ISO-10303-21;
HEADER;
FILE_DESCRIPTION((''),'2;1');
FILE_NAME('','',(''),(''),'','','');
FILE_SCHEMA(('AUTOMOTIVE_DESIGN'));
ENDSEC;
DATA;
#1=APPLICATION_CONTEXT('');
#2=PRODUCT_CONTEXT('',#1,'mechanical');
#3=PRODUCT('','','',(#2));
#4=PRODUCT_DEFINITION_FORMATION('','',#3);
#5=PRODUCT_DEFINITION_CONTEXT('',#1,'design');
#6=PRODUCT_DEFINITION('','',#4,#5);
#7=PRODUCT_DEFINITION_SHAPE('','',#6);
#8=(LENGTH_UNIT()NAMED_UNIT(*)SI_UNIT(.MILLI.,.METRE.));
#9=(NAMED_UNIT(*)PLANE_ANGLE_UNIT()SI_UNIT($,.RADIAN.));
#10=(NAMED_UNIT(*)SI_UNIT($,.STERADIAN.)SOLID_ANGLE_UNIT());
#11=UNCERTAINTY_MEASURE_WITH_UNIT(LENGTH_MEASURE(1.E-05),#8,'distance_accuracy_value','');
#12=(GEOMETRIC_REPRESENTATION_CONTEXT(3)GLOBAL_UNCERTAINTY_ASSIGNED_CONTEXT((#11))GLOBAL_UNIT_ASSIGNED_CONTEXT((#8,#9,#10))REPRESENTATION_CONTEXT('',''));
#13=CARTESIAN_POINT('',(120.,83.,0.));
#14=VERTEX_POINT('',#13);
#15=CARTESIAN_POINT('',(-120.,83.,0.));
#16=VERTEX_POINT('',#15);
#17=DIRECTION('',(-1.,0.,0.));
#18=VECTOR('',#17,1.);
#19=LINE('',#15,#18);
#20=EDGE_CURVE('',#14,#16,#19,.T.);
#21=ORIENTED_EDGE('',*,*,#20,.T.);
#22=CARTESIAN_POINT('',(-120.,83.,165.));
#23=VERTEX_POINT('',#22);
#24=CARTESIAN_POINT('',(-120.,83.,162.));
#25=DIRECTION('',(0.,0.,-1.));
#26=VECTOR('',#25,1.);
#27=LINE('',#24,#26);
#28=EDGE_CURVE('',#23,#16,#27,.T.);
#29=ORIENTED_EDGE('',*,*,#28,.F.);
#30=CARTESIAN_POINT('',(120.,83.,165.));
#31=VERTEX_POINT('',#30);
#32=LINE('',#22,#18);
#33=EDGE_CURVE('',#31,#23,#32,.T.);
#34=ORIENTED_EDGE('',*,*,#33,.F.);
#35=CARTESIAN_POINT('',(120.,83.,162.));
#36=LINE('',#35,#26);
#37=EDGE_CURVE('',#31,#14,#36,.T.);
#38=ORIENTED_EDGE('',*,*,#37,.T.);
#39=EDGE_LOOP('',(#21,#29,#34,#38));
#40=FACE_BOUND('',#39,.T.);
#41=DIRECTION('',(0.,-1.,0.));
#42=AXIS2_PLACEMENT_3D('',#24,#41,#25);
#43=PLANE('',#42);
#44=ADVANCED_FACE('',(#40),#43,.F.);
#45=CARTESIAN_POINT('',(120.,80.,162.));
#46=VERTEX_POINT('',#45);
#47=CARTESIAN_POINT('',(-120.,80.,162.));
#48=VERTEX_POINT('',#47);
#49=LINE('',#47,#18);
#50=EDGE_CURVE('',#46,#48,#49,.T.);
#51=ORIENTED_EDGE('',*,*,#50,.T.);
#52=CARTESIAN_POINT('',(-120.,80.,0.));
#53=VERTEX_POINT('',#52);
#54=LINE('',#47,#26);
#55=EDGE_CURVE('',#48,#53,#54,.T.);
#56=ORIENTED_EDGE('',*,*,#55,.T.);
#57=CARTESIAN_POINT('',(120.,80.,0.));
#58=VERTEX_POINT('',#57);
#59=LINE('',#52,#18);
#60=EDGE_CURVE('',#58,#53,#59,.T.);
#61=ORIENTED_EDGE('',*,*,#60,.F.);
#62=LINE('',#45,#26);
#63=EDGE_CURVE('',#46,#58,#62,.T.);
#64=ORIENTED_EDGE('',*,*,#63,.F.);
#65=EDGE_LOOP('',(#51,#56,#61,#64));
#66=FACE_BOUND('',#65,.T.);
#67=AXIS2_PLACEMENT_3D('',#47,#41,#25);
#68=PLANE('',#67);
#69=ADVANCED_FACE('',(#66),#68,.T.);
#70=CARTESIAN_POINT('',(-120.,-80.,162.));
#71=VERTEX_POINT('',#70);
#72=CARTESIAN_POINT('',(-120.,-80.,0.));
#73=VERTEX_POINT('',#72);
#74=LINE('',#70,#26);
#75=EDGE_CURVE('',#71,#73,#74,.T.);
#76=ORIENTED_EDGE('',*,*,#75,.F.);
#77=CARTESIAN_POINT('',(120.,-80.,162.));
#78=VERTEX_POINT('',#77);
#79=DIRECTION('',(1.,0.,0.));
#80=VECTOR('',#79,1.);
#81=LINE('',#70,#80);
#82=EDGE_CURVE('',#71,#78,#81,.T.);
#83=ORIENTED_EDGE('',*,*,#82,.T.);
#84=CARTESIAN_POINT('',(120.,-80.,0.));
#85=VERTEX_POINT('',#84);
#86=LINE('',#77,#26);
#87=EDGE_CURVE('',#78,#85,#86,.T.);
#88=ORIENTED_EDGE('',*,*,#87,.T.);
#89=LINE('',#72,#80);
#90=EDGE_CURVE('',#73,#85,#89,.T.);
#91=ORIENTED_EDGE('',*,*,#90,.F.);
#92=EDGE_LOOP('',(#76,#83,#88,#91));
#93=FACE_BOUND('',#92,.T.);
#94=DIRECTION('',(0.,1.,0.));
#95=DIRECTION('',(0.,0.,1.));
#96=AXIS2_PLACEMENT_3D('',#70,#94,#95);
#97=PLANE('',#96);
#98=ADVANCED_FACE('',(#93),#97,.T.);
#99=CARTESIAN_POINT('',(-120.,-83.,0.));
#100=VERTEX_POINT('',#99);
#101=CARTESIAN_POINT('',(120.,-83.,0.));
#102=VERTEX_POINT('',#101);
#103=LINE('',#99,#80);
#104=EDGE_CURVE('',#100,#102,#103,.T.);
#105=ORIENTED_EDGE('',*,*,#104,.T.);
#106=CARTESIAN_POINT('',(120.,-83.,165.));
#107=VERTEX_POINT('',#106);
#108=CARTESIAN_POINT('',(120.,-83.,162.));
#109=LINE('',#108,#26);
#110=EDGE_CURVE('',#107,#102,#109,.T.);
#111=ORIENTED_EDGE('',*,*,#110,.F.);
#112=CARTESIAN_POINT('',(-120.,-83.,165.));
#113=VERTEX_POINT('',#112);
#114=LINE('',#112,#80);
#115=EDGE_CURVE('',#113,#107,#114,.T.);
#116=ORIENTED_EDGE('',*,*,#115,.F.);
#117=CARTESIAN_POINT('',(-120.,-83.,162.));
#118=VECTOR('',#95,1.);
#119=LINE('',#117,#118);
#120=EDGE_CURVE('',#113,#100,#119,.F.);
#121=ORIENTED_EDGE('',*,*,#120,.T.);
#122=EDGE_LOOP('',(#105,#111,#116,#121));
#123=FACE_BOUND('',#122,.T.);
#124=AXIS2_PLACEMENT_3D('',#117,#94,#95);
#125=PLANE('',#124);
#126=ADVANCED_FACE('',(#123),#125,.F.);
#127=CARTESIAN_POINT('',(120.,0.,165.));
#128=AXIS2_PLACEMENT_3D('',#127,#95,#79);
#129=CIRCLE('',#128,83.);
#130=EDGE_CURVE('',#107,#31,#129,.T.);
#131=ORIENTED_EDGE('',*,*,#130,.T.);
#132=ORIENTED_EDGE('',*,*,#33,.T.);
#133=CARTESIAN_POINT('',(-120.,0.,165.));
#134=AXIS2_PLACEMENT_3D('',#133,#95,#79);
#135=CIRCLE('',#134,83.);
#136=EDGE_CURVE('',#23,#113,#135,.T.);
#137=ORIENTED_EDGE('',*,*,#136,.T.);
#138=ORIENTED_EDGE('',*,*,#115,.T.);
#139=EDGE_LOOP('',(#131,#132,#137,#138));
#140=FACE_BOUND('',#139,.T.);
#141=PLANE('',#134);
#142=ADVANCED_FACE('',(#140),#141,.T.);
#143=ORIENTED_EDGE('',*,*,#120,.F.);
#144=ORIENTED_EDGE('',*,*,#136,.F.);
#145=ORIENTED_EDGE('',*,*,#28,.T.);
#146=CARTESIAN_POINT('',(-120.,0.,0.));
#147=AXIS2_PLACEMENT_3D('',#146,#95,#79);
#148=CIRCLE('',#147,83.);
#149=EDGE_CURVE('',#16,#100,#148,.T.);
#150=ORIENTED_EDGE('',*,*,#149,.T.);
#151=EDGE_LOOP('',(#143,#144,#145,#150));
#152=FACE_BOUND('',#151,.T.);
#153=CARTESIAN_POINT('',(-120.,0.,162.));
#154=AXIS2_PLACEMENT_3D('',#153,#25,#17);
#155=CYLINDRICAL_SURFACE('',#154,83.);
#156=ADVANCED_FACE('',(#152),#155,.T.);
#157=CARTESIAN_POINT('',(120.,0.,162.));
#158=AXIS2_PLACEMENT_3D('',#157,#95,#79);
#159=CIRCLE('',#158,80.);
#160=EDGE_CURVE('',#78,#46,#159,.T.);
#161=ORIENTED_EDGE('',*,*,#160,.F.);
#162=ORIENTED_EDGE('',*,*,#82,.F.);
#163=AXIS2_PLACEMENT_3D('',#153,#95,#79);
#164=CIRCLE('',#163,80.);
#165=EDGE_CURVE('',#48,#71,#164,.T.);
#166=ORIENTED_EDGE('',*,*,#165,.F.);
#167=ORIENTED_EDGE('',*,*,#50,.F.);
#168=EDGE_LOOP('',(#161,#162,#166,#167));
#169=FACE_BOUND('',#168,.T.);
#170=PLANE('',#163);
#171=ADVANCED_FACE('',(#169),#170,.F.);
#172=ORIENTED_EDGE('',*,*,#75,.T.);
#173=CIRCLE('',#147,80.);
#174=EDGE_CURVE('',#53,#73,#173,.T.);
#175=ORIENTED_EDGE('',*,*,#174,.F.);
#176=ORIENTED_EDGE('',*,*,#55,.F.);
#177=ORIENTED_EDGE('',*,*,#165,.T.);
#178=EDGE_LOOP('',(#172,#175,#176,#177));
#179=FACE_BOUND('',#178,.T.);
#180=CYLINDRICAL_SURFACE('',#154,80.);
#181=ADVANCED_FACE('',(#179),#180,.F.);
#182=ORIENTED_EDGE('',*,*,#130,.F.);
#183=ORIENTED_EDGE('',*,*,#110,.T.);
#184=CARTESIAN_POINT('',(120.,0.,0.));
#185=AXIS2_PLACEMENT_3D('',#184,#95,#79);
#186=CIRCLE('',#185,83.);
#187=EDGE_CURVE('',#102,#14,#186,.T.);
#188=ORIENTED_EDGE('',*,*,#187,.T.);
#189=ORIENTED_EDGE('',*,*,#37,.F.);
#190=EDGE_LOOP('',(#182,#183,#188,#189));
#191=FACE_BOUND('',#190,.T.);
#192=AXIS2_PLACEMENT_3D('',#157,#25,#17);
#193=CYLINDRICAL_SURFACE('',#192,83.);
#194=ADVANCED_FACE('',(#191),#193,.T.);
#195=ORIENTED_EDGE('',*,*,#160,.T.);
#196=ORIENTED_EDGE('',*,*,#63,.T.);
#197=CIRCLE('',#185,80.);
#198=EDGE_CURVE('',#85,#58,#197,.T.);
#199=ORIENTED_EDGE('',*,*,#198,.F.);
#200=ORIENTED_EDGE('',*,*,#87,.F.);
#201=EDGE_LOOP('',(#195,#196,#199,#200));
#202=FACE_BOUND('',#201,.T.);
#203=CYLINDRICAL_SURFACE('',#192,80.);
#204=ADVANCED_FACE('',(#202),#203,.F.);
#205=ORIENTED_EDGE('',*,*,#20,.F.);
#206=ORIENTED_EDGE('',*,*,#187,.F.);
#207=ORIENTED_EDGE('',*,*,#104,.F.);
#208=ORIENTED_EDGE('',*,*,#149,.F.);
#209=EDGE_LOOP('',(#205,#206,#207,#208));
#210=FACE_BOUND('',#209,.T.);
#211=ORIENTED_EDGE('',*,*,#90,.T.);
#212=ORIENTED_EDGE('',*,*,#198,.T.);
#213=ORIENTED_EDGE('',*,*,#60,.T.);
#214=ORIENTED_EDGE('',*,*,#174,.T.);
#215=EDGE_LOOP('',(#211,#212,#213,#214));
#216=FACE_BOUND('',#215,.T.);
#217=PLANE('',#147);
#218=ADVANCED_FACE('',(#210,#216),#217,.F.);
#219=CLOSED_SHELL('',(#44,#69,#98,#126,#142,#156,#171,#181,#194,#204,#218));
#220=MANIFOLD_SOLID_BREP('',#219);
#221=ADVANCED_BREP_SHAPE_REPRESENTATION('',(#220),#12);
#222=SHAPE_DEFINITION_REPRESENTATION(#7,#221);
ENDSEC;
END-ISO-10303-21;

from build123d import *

# Parameters (mm, degrees)
BOSS_EXTRU_2_DEPTH = 162
COQUE1_T           = 3


with BuildPart() as part:
    # Esquisse1 → Boss.-Extru.2 (new body)
    with BuildSketch(Plane.XY):
        with BuildLine():
            Line((-120, 80), (120, 80))
            ThreePointArc((120, 80), (200, 0), (120, -80))
            Line((120, -80), (-120, -80))
            ThreePointArc((-120, -80), (-200, 0), (-120, 80))
        make_face()
    extrude(amount=BOSS_EXTRU_2_DEPTH)

    # Coque1
    coque1_openings = [part.faces().sort_by_distance(p)[0] for p in [
        (0, 0, 0),
    ]]
    offset(amount=COQUE1_T, openings=coque1_openings, kind=Kind.INTERSECTION)


solid = part.part
